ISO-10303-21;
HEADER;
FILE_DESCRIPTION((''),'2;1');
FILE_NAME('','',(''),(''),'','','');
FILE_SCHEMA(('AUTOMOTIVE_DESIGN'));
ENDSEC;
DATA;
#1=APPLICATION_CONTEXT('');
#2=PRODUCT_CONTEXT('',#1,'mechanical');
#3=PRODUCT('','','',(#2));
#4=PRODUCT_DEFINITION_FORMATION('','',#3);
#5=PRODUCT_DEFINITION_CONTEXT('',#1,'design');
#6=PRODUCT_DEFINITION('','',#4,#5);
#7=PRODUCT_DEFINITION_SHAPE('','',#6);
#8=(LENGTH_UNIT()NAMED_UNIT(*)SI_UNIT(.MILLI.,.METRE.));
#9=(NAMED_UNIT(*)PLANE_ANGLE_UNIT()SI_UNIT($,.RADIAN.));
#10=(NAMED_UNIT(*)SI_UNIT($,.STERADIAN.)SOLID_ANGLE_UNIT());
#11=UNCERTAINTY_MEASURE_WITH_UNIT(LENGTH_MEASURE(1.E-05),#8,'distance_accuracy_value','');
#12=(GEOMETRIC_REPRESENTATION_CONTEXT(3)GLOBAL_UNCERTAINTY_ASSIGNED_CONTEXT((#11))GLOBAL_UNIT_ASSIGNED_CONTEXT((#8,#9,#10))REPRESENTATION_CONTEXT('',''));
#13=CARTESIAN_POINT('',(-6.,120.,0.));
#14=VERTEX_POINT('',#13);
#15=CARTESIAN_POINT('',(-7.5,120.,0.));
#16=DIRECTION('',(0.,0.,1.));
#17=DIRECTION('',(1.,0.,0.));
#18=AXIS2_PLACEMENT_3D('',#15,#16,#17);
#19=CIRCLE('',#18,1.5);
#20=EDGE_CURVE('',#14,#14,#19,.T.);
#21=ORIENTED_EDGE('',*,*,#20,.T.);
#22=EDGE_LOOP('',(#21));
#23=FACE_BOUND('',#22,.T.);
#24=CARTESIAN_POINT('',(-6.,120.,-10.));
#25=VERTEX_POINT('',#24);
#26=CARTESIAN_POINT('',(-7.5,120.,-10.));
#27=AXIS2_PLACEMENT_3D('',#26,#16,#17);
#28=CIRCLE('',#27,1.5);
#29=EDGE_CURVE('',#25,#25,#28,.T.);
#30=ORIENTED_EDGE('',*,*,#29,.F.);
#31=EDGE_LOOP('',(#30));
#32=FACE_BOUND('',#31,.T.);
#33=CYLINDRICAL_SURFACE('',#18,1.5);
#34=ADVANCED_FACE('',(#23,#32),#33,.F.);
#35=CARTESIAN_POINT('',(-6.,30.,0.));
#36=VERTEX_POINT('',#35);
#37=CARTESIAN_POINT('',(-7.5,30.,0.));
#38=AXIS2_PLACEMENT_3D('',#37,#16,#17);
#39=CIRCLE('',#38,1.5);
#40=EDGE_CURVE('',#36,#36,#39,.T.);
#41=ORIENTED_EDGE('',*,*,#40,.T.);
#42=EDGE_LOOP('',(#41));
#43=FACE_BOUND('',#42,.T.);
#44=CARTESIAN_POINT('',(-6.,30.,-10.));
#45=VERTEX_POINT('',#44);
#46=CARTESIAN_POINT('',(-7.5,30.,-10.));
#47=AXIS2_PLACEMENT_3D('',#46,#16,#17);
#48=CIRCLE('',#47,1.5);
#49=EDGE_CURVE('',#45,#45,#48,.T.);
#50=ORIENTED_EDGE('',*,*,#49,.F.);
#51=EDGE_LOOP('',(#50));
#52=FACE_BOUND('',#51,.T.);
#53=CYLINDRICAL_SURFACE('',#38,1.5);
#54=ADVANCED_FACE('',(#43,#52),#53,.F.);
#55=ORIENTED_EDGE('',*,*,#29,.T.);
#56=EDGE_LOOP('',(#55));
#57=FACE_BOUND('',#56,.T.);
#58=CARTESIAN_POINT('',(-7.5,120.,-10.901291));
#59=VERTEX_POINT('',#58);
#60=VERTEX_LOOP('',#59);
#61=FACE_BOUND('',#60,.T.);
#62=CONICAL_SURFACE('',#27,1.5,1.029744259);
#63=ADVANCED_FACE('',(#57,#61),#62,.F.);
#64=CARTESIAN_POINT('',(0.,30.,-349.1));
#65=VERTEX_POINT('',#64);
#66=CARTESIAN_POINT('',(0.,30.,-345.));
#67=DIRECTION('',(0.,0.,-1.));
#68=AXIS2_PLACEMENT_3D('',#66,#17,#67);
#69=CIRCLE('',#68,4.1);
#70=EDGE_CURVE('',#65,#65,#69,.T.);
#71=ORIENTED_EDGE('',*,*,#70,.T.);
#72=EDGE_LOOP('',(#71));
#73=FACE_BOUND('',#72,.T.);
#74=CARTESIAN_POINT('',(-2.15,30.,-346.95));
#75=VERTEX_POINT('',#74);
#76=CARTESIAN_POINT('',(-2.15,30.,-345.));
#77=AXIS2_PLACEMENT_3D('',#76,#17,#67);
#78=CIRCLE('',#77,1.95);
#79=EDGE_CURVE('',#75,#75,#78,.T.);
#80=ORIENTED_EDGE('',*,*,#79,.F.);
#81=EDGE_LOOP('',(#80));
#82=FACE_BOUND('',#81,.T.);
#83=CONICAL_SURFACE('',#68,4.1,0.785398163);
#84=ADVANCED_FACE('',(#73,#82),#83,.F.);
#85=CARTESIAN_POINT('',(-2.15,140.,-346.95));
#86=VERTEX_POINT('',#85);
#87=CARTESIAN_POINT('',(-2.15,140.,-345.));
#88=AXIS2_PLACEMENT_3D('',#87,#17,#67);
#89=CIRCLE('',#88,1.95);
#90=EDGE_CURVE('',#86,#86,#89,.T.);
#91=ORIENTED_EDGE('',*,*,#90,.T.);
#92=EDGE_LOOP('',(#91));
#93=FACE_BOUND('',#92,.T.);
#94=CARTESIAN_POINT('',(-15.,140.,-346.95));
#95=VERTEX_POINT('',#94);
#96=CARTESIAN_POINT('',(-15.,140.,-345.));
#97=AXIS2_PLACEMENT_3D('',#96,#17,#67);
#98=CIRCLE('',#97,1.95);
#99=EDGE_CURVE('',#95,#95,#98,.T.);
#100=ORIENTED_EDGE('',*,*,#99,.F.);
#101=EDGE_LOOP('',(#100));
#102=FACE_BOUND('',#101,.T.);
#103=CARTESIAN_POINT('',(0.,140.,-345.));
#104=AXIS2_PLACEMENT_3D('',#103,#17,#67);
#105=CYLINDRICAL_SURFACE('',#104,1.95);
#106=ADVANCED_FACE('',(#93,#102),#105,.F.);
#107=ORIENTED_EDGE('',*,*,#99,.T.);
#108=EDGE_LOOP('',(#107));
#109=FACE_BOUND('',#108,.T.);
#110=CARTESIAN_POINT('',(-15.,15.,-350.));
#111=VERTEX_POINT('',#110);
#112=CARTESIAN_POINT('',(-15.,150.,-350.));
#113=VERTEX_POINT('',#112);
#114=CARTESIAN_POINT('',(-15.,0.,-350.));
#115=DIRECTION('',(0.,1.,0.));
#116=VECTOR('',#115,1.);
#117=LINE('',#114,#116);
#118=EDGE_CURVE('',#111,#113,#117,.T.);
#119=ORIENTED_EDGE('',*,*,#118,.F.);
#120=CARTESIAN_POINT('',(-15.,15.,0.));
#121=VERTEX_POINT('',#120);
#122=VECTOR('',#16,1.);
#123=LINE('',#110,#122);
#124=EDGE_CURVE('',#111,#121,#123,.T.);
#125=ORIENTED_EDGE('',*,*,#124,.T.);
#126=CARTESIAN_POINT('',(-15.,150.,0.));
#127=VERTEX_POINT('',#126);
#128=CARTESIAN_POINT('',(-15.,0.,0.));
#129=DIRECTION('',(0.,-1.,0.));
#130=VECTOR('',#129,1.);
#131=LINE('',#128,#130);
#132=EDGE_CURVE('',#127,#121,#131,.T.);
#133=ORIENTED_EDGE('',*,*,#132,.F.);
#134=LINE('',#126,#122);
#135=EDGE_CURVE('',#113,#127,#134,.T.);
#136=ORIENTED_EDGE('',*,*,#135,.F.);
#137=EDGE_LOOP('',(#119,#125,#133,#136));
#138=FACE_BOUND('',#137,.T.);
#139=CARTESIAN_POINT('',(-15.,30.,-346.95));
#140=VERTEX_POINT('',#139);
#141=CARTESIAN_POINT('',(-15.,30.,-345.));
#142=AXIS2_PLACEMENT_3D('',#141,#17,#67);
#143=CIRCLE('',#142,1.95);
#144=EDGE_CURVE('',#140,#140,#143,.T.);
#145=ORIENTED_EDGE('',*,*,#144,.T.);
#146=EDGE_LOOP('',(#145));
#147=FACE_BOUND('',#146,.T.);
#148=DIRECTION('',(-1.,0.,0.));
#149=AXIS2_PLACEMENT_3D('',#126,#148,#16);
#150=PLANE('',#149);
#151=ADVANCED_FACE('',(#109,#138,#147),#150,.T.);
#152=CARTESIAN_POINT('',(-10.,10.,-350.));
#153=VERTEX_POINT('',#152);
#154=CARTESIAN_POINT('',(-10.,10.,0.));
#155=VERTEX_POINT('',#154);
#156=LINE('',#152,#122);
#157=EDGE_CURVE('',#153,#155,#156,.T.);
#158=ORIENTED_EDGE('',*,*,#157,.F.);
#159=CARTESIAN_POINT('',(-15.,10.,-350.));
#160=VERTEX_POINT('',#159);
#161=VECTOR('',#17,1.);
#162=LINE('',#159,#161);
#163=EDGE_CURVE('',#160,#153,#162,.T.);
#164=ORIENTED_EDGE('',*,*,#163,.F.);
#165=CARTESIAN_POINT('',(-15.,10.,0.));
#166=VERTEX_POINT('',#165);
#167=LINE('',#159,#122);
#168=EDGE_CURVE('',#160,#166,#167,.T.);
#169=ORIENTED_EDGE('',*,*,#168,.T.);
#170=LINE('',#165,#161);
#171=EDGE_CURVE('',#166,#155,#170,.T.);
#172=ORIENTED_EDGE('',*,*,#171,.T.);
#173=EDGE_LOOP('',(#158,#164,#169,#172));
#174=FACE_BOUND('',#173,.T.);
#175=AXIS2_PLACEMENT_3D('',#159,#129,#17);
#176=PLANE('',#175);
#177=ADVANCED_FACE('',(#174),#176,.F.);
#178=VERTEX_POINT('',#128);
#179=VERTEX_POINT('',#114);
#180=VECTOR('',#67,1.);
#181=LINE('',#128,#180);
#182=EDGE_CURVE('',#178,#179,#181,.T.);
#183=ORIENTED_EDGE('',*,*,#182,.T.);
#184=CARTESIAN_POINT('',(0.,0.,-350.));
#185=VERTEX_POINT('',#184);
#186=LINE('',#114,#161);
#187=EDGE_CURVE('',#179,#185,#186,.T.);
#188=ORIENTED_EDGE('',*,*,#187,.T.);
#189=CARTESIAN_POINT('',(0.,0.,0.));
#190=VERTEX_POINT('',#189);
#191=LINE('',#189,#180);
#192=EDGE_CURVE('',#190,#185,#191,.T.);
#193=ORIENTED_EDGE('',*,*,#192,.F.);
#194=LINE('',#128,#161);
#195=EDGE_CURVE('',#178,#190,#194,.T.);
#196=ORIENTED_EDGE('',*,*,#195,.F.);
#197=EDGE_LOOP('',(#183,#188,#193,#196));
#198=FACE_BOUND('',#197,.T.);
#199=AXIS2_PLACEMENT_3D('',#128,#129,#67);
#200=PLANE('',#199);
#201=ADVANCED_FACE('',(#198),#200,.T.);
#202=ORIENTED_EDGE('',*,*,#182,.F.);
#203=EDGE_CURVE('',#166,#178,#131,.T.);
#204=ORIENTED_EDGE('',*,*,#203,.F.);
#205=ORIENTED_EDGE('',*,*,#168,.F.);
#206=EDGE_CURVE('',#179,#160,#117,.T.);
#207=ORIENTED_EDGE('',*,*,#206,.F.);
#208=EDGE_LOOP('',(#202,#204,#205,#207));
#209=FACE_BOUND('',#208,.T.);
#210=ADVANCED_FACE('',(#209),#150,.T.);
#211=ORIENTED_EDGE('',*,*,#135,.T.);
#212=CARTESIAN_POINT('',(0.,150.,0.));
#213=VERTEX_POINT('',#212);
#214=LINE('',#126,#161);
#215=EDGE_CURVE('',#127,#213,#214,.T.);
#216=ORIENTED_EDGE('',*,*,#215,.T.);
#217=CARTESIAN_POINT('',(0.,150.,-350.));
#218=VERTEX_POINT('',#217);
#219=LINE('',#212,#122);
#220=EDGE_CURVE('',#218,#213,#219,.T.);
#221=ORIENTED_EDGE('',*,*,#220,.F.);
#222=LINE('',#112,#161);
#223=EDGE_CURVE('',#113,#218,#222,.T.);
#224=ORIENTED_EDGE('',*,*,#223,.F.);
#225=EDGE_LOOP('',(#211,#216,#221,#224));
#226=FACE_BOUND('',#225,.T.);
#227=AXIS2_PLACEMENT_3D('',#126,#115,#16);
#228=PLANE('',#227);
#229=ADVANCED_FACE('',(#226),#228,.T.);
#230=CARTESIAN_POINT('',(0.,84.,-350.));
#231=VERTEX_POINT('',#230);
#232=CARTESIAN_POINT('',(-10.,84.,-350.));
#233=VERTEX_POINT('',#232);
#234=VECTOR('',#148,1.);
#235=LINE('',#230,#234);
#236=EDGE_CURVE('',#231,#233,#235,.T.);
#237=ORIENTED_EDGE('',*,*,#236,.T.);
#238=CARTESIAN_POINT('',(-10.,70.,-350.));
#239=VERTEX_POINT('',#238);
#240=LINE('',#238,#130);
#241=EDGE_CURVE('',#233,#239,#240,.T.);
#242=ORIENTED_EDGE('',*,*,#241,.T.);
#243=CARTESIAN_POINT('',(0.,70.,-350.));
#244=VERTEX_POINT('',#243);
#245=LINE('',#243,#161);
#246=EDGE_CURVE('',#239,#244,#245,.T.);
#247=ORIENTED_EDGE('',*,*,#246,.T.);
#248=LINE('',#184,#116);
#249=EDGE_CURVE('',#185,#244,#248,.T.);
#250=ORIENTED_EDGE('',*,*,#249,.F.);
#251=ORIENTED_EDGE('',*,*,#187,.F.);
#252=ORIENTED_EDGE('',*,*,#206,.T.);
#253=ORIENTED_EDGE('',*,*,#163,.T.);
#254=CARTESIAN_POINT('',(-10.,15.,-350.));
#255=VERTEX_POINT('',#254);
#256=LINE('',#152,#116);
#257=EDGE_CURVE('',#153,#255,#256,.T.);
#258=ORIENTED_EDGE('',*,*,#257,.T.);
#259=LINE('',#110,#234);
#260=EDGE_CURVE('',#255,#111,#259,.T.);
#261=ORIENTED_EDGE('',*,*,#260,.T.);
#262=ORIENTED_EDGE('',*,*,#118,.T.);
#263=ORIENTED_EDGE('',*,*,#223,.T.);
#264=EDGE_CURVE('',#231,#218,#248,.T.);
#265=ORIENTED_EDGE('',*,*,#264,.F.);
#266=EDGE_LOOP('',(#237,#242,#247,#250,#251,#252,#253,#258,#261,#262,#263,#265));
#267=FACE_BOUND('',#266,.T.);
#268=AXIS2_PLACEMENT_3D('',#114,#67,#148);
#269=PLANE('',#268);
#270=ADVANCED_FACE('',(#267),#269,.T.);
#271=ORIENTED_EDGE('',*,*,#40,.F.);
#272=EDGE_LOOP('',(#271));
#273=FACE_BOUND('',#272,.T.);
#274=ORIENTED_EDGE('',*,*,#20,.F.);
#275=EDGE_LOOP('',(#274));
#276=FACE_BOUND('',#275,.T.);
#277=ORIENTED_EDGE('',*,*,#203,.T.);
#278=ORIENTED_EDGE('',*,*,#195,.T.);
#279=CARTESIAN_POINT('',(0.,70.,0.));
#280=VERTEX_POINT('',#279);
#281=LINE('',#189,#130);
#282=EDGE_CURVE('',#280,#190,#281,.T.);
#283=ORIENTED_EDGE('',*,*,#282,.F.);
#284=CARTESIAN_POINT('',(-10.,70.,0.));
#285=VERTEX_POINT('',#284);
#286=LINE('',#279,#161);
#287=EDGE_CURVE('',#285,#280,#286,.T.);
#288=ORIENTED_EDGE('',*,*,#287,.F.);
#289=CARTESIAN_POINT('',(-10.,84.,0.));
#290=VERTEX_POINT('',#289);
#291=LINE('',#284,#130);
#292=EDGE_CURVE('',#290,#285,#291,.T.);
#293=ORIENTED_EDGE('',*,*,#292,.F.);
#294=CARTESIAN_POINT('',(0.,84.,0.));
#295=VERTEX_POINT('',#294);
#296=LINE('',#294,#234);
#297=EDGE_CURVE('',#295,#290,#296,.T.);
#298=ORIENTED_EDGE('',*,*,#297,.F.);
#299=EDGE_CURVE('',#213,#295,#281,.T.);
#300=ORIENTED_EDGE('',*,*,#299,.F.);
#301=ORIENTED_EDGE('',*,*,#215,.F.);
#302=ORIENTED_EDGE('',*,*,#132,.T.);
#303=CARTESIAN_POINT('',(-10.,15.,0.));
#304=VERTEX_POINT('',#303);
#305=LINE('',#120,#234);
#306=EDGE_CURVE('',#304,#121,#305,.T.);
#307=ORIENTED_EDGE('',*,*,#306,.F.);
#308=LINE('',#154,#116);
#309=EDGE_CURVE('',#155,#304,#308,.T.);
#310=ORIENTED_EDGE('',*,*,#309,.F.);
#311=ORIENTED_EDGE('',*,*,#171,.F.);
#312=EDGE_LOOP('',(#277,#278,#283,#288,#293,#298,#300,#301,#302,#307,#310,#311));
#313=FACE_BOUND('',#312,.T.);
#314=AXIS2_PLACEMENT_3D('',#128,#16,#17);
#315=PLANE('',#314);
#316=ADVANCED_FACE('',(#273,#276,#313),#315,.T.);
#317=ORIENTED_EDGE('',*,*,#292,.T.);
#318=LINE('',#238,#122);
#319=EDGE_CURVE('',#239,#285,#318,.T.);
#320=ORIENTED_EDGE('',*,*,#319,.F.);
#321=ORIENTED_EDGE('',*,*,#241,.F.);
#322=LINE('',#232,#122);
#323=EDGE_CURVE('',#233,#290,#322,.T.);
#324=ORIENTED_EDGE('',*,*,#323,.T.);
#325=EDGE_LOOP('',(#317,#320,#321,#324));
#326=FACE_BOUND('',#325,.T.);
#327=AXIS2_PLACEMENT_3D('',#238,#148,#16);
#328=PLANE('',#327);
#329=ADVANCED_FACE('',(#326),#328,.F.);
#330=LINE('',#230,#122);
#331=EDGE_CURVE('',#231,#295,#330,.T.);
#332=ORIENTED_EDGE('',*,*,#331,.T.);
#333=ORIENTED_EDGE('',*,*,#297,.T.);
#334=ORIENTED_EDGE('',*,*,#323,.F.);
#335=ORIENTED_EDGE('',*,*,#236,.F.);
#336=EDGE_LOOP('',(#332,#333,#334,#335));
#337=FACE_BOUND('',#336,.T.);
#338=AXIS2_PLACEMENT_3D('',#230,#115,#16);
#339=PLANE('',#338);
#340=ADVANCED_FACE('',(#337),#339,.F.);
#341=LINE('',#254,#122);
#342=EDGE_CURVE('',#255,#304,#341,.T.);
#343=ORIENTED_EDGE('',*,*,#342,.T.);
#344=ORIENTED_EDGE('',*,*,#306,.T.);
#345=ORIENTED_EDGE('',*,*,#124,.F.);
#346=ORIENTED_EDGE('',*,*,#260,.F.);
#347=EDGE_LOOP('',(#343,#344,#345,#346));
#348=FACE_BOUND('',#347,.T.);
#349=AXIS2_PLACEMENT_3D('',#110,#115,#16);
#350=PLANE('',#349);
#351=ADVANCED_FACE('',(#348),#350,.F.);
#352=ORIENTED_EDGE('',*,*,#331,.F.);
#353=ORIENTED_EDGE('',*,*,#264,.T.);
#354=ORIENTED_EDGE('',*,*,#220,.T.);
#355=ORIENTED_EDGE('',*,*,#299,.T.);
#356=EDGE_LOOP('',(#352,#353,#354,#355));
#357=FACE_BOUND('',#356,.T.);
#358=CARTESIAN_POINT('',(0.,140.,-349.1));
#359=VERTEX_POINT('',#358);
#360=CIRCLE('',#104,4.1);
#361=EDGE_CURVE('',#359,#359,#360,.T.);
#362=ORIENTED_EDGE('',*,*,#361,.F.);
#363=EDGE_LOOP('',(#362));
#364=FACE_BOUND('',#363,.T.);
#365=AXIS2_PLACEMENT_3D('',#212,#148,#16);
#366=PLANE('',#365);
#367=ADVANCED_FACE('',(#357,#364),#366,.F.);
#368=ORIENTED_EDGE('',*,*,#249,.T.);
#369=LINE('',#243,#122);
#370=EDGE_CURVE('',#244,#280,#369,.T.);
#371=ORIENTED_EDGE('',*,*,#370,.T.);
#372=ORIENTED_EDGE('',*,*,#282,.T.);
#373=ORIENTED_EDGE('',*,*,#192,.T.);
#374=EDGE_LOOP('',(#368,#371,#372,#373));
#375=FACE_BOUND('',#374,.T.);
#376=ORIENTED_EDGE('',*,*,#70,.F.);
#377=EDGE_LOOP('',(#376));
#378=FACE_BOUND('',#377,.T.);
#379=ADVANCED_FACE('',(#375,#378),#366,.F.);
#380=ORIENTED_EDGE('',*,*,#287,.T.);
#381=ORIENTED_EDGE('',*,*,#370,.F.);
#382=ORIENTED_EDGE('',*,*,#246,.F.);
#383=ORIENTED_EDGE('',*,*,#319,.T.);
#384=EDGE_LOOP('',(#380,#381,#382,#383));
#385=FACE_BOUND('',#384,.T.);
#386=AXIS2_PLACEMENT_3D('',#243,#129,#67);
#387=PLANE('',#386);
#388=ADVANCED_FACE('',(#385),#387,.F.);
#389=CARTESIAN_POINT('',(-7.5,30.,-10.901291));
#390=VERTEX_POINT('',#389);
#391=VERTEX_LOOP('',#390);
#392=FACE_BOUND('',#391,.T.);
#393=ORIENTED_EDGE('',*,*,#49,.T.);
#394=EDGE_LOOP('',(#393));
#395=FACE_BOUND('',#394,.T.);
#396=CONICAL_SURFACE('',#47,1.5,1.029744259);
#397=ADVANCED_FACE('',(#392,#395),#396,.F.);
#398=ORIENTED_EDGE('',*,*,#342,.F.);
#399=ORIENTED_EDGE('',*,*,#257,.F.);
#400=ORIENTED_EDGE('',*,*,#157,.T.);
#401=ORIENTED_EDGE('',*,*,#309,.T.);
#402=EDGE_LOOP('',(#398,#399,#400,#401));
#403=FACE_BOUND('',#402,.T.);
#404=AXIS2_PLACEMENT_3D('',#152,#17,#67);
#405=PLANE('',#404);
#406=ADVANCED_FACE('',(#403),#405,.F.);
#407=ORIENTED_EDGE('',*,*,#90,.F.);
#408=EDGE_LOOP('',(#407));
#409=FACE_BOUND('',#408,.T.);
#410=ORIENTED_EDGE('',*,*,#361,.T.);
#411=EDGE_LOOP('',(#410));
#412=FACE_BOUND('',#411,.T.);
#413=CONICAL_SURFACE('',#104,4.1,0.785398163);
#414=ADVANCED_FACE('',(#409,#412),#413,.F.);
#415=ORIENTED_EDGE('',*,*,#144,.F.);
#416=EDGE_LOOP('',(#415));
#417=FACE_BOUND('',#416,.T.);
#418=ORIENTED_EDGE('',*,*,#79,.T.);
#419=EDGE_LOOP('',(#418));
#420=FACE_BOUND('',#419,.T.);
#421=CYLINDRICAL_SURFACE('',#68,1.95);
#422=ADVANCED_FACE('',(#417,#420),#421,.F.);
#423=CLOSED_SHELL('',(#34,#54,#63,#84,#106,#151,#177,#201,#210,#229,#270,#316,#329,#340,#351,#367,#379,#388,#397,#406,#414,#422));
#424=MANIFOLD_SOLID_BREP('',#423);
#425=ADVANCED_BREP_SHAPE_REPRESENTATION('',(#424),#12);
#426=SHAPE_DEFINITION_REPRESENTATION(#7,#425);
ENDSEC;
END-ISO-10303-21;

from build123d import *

# Parameters (mm, degrees)
SKETCH2_W                                         = 350
SKETCH2_H                                         = 150
BASE_EXTRUDE_DEPTH                                = 15
SKETCH3_W                                         = 10
SKETCH3_H                                         = 14
CUT_EXTRUDE1_DEPTH                                = 382.083980246
SKETCH4_W                                         = 5
SKETCH4_H                                         = 5
CUT_EXTRUDE2_DEPTH                                = 382.083980246
CSK_FOR_M3_5_FLAT_HEAD_MACHINE_SCREW1_D           = 3.9
CSK_FOR_M3_5_FLAT_HEAD_MACHINE_SCREW1_CSINK_D     = 8.2
CSK_FOR_M3_5_FLAT_HEAD_MACHINE_SCREW1_CSINK_ANGLE = 90
M3_0_3_000000_DIAMETER_HOLE1_D                    = 3
M3_0_3_000000_DIAMETER_HOLE1_DEPTH                = 10
M3_0_3_000000_DIAMETER_HOLE1_TIP                  = 0.901290929


with BuildPart() as part:
    # Sketch2 → Base-Extrude (new body)
    with BuildSketch(Plane(origin=(0, 0, 0), x_dir=(0, 0, -1), z_dir=(1, 0, 0))):
        with Locations((175, 75)):
            Rectangle(SKETCH2_W, SKETCH2_H)
    extrude(amount=-BASE_EXTRUDE_DEPTH)

    # Sketch3 → Cut-Extrude1 (cut, through all)
    with BuildSketch(Plane.XY):
        with Locations((-5, 77)):
            Rectangle(SKETCH3_W, SKETCH3_H)
    extrude(amount=-CUT_EXTRUDE1_DEPTH, mode=Mode.SUBTRACT)

    # Sketch4 → Cut-Extrude2 (cut, through all)
    with BuildSketch(Plane.XY):
        with Locations((-12.5, 12.5)):
            Rectangle(SKETCH4_W, SKETCH4_H)
    extrude(amount=-CUT_EXTRUDE2_DEPTH, mode=Mode.SUBTRACT)

    # CSK for M3.5 Flat Head Machine Screw1 (through all)
    with Locations(Plane(origin=(0, 0, 0), x_dir=(0, 0, -1), z_dir=(1, 0, 0))):
        with Locations((345, 140), (345, 30)):
            CounterSinkHole(CSK_FOR_M3_5_FLAT_HEAD_MACHINE_SCREW1_D / 2, CSK_FOR_M3_5_FLAT_HEAD_MACHINE_SCREW1_CSINK_D / 2, counter_sink_angle=CSK_FOR_M3_5_FLAT_HEAD_MACHINE_SCREW1_CSINK_ANGLE)

    # M3.0 (3.000000) Diameter Hole1
    with Locations(Plane.XY):
        with Locations((-7.5, 30), (-7.5, 120)):
            Hole(M3_0_3_000000_DIAMETER_HOLE1_D / 2, depth=M3_0_3_000000_DIAMETER_HOLE1_DEPTH)
            with Locations((0, 0, -(M3_0_3_000000_DIAMETER_HOLE1_DEPTH + M3_0_3_000000_DIAMETER_HOLE1_TIP / 2))):  # 118° drill point
                Cone(0, M3_0_3_000000_DIAMETER_HOLE1_D / 2, M3_0_3_000000_DIAMETER_HOLE1_TIP, mode=Mode.SUBTRACT)


solid = part.part
